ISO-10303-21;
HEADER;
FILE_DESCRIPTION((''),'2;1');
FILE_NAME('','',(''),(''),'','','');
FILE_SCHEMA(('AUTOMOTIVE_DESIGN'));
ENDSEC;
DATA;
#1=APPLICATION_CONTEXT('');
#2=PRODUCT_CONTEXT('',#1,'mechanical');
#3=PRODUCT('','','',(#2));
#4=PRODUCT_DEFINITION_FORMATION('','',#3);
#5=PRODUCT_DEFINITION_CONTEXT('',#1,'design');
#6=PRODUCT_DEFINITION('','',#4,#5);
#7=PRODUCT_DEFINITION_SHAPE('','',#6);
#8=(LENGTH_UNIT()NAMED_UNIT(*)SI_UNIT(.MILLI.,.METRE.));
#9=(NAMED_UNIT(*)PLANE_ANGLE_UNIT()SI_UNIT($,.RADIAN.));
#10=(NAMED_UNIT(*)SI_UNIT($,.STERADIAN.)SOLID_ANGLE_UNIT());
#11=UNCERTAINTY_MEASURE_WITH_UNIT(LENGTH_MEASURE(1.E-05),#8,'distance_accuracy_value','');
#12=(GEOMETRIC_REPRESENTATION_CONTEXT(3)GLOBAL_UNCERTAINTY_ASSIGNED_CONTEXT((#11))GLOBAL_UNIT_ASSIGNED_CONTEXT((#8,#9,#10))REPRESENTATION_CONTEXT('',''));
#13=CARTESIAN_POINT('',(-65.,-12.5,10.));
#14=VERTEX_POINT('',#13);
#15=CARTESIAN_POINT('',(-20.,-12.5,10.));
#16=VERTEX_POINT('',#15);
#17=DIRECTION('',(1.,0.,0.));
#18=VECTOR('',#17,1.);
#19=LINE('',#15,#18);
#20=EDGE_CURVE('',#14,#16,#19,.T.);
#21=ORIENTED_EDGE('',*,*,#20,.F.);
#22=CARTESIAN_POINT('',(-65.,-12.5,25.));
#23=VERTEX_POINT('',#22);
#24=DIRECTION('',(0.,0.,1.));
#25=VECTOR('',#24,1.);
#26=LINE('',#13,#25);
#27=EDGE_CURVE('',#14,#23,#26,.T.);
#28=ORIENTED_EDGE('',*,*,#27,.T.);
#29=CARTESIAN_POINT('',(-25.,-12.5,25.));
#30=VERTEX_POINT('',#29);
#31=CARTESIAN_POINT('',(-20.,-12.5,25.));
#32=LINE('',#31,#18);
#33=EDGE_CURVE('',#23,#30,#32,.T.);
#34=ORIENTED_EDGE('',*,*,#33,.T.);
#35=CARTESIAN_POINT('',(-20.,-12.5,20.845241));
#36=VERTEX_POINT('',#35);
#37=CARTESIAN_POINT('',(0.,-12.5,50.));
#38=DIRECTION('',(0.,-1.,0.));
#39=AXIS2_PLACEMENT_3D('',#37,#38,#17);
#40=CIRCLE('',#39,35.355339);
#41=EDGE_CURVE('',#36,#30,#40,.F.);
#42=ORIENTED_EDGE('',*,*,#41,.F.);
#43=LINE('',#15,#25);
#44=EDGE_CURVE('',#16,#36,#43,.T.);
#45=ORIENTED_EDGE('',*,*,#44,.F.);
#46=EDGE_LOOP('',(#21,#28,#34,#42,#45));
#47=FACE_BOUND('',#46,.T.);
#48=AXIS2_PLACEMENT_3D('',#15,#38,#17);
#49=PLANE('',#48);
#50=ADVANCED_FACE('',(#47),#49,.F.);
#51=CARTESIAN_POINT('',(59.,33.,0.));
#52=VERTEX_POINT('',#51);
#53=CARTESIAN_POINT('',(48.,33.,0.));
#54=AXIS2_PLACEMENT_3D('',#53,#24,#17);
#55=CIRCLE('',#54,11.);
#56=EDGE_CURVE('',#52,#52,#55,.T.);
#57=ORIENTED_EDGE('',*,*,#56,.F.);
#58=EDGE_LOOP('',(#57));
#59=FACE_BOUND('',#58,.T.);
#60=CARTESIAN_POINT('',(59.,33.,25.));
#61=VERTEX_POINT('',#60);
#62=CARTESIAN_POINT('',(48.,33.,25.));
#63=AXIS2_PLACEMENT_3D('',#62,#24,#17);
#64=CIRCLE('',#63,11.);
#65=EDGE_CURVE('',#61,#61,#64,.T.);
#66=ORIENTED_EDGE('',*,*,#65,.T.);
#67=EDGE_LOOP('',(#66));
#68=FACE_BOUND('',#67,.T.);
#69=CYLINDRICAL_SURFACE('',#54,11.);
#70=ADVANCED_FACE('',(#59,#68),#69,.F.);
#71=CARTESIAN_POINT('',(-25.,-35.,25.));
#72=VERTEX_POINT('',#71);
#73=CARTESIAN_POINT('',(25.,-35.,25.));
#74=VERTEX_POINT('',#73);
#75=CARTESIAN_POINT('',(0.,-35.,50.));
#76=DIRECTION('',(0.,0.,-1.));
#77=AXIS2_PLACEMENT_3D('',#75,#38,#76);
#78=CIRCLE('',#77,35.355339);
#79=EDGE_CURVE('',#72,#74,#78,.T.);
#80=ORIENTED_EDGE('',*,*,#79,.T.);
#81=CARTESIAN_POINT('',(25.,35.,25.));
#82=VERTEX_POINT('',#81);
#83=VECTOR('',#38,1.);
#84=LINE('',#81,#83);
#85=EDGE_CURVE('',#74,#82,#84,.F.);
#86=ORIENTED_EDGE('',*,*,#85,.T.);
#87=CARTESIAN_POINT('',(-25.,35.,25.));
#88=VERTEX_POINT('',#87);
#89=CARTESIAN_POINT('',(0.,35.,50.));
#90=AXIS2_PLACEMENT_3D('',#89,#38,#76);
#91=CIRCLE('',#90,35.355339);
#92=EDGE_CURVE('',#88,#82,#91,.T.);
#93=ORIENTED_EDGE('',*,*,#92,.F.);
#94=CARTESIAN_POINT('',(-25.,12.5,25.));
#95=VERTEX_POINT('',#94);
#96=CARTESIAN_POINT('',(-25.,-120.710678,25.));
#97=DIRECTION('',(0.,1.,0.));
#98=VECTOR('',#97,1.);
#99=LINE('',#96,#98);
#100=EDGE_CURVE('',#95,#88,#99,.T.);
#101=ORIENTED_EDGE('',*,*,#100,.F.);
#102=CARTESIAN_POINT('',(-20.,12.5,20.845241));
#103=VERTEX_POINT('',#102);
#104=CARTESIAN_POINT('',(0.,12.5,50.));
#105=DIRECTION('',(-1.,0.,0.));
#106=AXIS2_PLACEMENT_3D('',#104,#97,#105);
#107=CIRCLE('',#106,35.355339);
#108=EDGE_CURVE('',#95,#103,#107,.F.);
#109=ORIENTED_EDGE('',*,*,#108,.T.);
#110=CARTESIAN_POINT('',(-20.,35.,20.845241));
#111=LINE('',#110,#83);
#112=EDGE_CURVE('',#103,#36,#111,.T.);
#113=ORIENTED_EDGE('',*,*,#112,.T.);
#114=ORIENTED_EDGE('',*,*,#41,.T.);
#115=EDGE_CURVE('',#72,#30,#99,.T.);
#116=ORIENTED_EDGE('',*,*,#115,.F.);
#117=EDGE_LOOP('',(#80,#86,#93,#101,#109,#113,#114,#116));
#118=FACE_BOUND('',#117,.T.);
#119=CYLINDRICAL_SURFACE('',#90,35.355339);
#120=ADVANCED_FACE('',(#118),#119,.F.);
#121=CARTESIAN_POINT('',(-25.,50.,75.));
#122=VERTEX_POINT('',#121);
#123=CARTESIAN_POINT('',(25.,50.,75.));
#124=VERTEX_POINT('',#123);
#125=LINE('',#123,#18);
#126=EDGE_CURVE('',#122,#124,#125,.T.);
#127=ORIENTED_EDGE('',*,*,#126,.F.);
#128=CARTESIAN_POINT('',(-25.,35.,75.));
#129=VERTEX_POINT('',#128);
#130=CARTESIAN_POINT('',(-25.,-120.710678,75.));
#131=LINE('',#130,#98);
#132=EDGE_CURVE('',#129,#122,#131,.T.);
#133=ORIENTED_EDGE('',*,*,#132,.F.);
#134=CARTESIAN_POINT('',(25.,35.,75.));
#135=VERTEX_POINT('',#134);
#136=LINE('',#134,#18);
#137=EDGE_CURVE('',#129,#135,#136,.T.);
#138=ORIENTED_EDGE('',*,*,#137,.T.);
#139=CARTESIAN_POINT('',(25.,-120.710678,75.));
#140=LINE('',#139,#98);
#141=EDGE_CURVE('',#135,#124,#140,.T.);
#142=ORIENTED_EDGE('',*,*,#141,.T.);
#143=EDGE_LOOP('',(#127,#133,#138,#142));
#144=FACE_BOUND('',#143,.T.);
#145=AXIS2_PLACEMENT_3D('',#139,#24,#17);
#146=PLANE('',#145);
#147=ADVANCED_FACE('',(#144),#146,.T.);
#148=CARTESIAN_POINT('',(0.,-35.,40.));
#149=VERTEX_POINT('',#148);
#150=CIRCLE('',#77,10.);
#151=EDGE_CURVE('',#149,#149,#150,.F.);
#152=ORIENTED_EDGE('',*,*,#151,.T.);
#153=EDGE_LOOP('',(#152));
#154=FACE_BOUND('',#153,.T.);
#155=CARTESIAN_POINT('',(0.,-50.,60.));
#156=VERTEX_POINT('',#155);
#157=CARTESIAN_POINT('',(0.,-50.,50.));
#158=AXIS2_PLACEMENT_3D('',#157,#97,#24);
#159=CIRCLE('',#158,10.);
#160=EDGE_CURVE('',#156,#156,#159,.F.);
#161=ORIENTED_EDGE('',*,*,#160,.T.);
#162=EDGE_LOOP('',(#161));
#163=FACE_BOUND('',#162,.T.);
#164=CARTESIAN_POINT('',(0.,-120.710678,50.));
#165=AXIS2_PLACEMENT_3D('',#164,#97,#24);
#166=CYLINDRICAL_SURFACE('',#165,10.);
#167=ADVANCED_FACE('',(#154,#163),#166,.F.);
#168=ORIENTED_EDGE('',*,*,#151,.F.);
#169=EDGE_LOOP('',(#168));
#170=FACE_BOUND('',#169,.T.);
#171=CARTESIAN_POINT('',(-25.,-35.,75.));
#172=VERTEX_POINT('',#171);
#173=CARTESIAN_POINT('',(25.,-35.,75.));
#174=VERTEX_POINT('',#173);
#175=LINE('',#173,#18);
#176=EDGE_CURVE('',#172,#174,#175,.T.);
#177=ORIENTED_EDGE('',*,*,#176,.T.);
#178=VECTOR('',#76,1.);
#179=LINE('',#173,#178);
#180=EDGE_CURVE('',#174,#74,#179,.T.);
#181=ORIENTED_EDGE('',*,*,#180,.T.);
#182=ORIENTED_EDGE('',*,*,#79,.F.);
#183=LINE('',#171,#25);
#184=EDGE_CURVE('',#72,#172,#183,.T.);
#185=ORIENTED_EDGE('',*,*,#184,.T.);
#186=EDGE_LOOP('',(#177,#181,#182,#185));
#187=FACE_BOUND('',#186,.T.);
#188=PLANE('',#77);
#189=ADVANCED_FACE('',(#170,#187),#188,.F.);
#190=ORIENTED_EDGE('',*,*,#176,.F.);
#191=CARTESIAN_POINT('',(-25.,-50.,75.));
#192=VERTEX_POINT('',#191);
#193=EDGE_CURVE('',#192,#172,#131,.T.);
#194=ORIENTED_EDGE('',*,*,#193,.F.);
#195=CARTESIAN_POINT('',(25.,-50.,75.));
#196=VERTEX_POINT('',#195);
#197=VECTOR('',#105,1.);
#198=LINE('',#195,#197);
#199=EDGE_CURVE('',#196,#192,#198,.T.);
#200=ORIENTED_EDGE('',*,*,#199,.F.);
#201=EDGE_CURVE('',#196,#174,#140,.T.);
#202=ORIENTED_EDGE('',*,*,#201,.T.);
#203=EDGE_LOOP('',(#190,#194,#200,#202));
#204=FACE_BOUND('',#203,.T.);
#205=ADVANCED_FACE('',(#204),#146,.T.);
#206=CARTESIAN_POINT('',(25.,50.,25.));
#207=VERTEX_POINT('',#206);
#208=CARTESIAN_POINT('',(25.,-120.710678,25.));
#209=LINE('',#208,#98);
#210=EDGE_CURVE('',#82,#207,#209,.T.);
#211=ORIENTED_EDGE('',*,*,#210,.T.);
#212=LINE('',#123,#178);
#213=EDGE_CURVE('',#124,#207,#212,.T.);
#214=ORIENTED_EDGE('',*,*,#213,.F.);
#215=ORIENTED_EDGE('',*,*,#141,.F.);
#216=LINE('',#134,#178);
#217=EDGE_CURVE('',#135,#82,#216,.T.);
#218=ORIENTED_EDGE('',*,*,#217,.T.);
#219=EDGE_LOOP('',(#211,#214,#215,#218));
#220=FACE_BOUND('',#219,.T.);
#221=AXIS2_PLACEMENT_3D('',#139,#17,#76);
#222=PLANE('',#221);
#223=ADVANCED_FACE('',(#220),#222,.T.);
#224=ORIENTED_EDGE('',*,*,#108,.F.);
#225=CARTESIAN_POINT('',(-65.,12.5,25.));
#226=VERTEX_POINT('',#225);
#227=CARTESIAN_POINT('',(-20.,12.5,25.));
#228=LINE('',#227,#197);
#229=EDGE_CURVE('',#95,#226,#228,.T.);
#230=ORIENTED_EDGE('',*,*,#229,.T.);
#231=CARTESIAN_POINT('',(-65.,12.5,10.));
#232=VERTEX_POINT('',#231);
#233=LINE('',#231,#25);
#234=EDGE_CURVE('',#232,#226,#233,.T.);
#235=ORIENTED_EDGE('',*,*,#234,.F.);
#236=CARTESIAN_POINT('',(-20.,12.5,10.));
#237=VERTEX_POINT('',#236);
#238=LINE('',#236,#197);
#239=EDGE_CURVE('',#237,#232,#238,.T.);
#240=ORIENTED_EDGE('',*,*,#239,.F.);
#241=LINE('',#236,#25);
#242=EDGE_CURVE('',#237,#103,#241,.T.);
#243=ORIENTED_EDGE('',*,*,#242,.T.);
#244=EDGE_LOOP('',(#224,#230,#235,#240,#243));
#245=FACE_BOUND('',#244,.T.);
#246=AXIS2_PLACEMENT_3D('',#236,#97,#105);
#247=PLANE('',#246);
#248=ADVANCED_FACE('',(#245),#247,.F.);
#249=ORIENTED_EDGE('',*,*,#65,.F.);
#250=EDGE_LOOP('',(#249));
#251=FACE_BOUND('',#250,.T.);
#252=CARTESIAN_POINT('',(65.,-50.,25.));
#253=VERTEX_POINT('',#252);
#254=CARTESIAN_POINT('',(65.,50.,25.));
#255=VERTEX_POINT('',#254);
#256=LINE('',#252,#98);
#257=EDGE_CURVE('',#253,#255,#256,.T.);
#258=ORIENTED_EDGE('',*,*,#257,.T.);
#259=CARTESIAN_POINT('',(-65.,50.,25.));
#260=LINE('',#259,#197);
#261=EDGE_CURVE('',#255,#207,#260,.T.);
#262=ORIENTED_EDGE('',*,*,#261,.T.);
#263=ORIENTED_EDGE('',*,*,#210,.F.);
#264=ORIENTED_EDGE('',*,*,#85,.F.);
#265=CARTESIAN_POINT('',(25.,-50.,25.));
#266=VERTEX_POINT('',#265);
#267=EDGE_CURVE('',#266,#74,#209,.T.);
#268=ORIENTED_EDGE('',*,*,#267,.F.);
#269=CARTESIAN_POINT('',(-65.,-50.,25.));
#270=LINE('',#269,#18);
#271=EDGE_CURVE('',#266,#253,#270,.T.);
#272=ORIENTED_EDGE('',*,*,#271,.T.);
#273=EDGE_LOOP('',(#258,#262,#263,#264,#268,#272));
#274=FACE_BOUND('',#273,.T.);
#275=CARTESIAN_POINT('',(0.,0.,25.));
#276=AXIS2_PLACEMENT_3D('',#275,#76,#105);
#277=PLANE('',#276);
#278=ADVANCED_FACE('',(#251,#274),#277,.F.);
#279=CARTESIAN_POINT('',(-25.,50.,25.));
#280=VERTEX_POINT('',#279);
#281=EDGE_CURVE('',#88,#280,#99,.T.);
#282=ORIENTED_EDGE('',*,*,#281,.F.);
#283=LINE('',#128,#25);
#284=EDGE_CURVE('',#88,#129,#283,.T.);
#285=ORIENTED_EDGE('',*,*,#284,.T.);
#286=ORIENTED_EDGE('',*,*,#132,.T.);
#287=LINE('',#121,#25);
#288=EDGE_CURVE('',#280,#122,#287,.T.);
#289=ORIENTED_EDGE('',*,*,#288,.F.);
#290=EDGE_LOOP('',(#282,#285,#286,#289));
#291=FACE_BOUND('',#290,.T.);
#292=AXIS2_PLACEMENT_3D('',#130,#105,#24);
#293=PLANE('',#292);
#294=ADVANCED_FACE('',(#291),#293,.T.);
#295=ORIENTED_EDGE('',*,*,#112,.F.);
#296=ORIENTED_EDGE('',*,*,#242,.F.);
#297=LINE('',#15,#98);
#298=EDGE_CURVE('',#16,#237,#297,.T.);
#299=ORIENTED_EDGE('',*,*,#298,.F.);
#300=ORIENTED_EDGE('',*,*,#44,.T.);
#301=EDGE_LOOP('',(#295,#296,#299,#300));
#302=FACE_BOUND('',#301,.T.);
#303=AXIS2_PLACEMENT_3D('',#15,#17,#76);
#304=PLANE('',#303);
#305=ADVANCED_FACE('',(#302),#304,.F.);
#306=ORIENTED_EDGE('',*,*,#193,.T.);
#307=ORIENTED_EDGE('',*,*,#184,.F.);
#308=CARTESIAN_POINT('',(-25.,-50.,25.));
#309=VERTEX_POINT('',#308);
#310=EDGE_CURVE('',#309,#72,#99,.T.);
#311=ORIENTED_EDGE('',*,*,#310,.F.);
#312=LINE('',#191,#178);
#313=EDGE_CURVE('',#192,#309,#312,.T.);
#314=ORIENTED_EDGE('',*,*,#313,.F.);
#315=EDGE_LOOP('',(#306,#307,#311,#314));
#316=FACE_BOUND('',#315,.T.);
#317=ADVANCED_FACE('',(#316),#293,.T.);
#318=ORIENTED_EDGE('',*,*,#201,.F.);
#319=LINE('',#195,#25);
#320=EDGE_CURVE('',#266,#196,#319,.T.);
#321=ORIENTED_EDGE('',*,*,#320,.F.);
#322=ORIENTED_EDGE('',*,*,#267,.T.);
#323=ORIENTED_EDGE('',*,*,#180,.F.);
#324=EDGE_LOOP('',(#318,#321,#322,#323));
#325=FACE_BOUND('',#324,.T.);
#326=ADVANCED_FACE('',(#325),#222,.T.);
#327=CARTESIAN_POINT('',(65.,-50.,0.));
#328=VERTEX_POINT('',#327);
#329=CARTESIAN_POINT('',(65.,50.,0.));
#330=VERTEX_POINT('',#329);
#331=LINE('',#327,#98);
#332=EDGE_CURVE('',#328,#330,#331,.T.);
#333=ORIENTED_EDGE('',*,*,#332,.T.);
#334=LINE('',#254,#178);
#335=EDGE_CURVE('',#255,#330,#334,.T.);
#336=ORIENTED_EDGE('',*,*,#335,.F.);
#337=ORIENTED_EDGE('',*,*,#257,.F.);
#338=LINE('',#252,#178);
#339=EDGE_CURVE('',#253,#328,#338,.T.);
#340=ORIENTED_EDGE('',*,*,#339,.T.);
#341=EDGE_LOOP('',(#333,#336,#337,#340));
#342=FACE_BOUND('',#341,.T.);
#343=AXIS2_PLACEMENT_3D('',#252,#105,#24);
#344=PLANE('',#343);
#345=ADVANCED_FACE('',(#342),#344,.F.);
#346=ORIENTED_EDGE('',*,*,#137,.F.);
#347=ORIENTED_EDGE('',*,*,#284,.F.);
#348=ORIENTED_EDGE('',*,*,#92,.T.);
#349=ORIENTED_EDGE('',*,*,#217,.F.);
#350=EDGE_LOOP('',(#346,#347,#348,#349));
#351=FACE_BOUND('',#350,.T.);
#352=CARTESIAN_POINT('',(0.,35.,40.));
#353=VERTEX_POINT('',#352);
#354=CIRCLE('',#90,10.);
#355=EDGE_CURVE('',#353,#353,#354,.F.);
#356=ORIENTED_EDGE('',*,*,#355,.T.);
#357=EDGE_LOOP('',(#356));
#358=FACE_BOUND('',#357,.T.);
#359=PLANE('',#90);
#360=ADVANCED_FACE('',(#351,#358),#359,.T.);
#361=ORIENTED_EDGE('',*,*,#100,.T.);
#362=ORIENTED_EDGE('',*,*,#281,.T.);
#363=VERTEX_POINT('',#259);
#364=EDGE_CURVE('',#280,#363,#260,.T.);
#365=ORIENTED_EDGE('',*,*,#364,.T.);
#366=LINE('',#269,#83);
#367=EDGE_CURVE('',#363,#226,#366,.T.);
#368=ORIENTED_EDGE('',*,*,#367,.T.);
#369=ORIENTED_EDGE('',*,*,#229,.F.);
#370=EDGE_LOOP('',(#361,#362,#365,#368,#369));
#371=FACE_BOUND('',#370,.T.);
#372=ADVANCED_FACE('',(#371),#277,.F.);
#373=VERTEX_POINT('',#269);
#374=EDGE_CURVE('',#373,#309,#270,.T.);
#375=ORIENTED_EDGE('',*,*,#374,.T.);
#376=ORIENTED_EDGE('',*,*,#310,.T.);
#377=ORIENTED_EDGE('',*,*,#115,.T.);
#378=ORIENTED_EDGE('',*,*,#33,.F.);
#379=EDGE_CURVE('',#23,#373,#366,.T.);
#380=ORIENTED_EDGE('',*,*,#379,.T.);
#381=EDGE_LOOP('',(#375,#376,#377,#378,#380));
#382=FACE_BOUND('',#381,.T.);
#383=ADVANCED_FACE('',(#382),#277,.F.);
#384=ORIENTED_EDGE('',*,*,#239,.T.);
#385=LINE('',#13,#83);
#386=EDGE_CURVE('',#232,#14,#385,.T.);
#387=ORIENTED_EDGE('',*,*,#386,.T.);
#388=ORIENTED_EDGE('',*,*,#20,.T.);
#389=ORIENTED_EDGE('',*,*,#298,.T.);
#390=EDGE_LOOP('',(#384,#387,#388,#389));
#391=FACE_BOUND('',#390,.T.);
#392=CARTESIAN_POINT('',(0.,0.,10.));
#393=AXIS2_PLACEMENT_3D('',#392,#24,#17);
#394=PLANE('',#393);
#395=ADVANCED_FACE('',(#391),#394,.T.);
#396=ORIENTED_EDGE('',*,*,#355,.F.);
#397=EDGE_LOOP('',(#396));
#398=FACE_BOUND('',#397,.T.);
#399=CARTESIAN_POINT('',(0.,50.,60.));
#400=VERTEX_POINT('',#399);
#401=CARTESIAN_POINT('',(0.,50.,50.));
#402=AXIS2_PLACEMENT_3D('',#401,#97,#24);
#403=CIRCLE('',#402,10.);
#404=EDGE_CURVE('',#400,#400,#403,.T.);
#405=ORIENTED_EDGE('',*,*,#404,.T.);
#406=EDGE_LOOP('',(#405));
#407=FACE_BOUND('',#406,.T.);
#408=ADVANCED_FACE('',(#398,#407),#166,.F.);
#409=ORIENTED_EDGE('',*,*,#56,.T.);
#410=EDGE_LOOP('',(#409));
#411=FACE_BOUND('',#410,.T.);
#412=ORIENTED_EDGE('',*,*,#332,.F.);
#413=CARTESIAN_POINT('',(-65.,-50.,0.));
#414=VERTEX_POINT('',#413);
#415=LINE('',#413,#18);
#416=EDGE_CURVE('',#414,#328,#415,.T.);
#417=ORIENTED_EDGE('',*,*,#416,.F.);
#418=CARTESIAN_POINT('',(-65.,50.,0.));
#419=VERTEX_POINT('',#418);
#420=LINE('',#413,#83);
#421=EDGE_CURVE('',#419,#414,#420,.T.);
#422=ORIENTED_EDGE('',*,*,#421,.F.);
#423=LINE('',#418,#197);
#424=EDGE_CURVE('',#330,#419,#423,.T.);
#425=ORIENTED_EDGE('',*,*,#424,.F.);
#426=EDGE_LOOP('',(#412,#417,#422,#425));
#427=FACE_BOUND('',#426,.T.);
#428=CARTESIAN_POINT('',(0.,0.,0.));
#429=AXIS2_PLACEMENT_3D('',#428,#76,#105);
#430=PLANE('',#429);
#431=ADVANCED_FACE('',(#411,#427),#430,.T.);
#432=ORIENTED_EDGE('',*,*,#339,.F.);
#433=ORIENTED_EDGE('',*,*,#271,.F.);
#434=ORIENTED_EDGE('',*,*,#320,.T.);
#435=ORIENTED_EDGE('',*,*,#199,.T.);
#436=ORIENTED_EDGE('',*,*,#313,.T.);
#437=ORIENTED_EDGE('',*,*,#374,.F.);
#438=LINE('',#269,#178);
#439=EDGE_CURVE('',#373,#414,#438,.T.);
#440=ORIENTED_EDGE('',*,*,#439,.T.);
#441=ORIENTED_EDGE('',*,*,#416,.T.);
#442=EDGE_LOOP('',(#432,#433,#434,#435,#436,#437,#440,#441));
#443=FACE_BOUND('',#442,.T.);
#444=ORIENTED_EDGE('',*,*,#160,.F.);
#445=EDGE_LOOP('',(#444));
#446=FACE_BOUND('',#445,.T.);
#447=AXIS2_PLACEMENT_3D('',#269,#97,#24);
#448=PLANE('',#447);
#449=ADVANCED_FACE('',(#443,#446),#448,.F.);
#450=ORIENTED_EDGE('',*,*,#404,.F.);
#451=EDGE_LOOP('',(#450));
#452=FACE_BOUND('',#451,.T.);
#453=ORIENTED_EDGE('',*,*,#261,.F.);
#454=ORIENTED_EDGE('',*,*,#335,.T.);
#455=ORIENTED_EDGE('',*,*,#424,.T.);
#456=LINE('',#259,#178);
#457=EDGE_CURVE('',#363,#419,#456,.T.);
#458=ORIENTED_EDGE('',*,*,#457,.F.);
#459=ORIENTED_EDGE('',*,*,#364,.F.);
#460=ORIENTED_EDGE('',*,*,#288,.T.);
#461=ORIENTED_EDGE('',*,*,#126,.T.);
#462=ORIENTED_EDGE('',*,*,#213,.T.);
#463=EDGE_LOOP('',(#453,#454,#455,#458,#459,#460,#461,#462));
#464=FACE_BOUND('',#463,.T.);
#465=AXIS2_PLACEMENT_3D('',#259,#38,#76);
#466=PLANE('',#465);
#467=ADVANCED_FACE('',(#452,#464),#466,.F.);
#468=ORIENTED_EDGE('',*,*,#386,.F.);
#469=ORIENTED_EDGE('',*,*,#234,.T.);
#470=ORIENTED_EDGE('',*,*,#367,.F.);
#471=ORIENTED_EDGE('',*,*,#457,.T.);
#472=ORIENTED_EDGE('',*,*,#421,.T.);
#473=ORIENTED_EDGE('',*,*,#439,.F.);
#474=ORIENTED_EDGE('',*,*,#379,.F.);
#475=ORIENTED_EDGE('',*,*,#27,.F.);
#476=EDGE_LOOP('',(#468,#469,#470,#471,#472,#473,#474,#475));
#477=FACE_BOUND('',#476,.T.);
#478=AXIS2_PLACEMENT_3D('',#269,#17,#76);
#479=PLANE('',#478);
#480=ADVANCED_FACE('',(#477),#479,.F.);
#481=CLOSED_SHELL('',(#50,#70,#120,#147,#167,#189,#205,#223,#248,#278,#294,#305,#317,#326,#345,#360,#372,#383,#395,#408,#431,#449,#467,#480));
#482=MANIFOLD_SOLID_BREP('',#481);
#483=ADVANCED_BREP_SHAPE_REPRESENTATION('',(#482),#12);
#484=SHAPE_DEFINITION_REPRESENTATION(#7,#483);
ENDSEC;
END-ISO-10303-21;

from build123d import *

# Parameters (mm, degrees)
SKETCH_1_W          = 130
SKETCH_1_H          = 100
EXTRUDE_1_DEPTH     = 25
SKETCH_2_W          = 50
SKETCH_2_H          = 50
SKETCH_2_R          = 10
EXTRUDE_2_DEPTH     = 100
SKETCH_3_R          = 11
CUT_EXTRUDE_1_DEPTH = 97.046863561
SKETCH_4_R          = 35.355339059
CUT_EXTRUDE_2_DEPTH = 35
SKETCH_5_W          = 45
SKETCH_5_H          = 25
CUT_EXTRUDE_3_DEPTH = 15


with BuildPart() as part:
    # Эскиз1 → Бобышка-Вытянуть1 (new body)
    with BuildSketch(Plane.XY):
        Rectangle(SKETCH_1_W, SKETCH_1_H)
    extrude(amount=EXTRUDE_1_DEPTH)

    # Эскиз2 → Бобышка-Вытянуть2 (add)
    with BuildSketch(Plane(origin=(0, 50, 0), x_dir=(1, 0, 0), z_dir=(0, 1, 0))):
        with Locations((0, -50)):
            Rectangle(SKETCH_2_W, SKETCH_2_H)
        with Locations(Location((0, -50, 0), (0, 0, 270))):
            Circle(SKETCH_2_R, mode=Mode.SUBTRACT)
    extrude(amount=-EXTRUDE_2_DEPTH)

    # Эскиз3 → Вырез-Вытянуть1 (cut, through all)
    with BuildSketch(Plane.XY.offset(25)):
        with Locations((48, 33)):
            Circle(SKETCH_3_R)
    extrude(amount=-CUT_EXTRUDE_1_DEPTH, mode=Mode.SUBTRACT)

    # Эскиз4 → Вырез-Вытянуть2 (cut, symmetric)
    with BuildSketch(Plane(origin=(0, 0, 0), x_dir=(-1, 0, 0), z_dir=(0, -1, 0))):
        with Locations((0, -50)):
            Circle(SKETCH_4_R)
    extrude(amount=CUT_EXTRUDE_2_DEPTH, both=True, mode=Mode.SUBTRACT)

    # Эскиз5 → Вырез-Вытянуть3 (cut)
    with BuildSketch(Plane.XY.offset(25)):
        with Locations((-42.5, 0)):
            Rectangle(SKETCH_5_W, SKETCH_5_H)
    extrude(amount=-CUT_EXTRUDE_3_DEPTH, mode=Mode.SUBTRACT)


solid = part.part
